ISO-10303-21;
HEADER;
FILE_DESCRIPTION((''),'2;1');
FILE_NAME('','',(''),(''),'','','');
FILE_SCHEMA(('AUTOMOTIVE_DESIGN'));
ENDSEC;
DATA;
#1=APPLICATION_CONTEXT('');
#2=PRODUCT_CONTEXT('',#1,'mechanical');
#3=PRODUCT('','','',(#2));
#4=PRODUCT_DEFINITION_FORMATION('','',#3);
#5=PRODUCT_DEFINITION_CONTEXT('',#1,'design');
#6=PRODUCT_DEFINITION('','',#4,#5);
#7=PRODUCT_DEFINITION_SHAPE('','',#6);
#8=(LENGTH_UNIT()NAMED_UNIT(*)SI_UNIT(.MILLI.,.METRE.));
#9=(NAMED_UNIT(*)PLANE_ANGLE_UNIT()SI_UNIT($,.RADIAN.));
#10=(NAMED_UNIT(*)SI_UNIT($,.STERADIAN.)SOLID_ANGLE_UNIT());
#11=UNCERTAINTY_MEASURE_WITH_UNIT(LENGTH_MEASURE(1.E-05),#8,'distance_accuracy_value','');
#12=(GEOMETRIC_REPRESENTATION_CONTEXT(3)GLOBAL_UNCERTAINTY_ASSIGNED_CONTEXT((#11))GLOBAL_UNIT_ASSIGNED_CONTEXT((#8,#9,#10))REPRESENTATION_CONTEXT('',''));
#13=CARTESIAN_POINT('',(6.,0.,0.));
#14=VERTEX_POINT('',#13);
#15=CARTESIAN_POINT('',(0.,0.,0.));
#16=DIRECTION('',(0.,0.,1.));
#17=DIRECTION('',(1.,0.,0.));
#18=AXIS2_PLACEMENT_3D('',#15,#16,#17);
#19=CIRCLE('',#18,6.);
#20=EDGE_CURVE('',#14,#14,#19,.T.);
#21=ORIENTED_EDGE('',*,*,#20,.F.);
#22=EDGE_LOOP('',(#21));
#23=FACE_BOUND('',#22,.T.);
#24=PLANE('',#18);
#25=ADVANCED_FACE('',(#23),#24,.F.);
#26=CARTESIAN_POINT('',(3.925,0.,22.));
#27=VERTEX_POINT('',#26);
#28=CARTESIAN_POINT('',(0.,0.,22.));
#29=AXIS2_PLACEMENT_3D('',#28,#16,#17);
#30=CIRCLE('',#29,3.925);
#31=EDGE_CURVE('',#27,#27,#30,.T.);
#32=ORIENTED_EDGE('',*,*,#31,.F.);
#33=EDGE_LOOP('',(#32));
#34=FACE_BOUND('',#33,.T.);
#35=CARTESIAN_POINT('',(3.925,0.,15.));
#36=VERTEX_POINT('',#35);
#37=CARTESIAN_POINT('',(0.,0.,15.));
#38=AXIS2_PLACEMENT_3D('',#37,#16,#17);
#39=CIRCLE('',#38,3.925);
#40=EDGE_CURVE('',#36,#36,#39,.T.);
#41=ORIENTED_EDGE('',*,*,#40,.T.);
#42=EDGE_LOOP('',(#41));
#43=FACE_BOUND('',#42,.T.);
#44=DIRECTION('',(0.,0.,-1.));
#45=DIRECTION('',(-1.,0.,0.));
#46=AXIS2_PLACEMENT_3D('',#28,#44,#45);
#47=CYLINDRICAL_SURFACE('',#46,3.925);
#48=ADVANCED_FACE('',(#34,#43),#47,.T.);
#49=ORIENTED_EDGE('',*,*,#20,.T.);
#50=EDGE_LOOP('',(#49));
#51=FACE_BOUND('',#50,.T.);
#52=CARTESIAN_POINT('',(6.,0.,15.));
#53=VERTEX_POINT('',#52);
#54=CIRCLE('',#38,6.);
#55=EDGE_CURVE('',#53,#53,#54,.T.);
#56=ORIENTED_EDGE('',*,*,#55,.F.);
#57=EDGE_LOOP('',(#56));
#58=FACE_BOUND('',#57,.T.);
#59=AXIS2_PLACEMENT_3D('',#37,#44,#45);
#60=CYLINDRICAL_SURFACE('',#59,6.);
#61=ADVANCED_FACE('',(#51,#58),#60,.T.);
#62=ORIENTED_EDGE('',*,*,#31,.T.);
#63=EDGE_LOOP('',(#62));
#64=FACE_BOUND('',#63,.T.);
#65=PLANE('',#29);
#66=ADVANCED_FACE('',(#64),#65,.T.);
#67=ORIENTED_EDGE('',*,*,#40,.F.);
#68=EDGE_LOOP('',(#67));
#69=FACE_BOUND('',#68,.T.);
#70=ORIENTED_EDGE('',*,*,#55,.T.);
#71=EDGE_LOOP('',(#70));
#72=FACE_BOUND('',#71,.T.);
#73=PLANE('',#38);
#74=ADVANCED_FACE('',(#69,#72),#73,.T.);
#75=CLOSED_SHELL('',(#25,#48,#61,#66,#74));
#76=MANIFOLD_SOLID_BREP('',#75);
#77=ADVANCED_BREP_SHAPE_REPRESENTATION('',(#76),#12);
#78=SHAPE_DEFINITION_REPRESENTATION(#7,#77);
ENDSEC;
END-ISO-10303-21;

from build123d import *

# Parameters (mm, degrees)
SKIZZE1_R                       = 6
AUFSATZ_LINEAR_AUSTRAGEN1_DEPTH = 15
SKIZZE2_R                       = 3.925
AUFSATZ_LINEAR_AUSTRAGEN2_DEPTH = 7


with BuildPart() as part:
    # Skizze1 → Aufsatz-Linear austragen1 (new body)
    with BuildSketch(Plane.XY):
        Circle(SKIZZE1_R)
    extrude(amount=AUFSATZ_LINEAR_AUSTRAGEN1_DEPTH)

    # Skizze2 → Aufsatz-Linear austragen2 (add)
    with BuildSketch(Plane.XY.offset(15)):
        Circle(SKIZZE2_R)
    extrude(amount=AUFSATZ_LINEAR_AUSTRAGEN2_DEPTH)


solid = part.part
